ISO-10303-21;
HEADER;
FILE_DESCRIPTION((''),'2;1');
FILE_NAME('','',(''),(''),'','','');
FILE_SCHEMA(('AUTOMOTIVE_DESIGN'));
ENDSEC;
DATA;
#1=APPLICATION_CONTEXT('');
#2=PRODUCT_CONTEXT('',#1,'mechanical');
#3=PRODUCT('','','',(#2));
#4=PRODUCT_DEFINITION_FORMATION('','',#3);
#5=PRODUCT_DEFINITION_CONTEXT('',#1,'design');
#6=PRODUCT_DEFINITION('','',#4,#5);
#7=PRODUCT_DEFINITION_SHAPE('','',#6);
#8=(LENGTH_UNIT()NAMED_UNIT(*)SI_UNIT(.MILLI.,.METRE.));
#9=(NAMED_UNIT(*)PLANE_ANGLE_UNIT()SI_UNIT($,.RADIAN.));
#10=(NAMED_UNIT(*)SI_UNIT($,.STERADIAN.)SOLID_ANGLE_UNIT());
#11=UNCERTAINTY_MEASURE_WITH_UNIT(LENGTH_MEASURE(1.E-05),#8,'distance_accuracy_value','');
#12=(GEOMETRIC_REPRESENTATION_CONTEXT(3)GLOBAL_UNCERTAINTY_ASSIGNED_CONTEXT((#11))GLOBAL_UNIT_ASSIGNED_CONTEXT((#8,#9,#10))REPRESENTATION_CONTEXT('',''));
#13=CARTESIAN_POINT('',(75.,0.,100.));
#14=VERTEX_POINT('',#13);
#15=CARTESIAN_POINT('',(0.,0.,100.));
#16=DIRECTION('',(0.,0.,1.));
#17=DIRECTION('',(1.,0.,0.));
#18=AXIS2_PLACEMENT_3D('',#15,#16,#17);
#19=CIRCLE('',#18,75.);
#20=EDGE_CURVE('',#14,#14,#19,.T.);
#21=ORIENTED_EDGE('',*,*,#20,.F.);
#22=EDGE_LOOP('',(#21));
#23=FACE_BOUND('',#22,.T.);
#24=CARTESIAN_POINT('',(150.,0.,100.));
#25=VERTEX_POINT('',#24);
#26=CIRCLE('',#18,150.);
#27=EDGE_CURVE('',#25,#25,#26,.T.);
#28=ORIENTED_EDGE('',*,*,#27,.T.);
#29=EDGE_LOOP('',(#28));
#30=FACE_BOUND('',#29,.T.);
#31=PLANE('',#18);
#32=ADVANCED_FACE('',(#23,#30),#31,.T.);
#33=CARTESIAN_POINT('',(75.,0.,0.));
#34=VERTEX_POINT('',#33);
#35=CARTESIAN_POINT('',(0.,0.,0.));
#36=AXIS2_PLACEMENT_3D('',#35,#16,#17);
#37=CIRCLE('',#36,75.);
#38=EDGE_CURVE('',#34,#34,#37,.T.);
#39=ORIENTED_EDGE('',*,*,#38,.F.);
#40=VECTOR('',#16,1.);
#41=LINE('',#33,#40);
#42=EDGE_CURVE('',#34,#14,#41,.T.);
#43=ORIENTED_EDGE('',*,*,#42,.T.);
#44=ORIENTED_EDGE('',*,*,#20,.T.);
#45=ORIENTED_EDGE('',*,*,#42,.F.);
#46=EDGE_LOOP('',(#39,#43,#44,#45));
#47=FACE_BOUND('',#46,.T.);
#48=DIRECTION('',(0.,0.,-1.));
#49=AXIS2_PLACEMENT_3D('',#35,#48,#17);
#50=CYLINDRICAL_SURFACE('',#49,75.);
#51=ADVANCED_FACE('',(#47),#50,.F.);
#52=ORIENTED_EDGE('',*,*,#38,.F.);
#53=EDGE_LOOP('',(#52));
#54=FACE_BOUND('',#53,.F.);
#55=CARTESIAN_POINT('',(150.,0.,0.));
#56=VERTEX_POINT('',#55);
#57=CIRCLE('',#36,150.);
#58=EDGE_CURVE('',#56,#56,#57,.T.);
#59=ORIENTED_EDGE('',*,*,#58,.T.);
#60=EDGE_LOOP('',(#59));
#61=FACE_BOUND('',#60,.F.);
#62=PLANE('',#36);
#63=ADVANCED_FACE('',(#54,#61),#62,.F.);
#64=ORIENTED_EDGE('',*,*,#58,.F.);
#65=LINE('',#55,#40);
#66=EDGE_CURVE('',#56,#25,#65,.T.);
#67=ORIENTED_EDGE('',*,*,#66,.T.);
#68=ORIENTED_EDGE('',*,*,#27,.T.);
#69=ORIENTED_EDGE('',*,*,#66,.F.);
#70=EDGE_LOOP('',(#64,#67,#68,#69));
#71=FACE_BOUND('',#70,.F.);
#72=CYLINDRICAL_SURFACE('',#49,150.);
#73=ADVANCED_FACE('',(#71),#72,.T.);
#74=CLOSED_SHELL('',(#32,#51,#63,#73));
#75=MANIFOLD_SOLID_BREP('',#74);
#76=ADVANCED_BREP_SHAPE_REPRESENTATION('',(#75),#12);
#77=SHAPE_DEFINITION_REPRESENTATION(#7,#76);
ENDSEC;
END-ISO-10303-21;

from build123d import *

# Parameters (mm, degrees)
F0_R     = 27.9199968723
F1_DEPTH = 55.372
F3_R     = 150
F3_R_2   = 75
F4_DEPTH = 100


with BuildPart() as f1:
    # F0 (on Top) → F1 (new body)
    with BuildSketch(Plane.XY):
        with Locations((0, -4.4582164846)):
            Circle(F0_R)
    extrude(amount=F1_DEPTH)


with BuildPart() as f4:
    # F3 (on Top) → F4 (new body)
    with BuildSketch(Plane.XY):
        Circle(F3_R)
        Circle(F3_R_2, mode=Mode.SUBTRACT)
    extrude(amount=F4_DEPTH)


solid = f4.part
